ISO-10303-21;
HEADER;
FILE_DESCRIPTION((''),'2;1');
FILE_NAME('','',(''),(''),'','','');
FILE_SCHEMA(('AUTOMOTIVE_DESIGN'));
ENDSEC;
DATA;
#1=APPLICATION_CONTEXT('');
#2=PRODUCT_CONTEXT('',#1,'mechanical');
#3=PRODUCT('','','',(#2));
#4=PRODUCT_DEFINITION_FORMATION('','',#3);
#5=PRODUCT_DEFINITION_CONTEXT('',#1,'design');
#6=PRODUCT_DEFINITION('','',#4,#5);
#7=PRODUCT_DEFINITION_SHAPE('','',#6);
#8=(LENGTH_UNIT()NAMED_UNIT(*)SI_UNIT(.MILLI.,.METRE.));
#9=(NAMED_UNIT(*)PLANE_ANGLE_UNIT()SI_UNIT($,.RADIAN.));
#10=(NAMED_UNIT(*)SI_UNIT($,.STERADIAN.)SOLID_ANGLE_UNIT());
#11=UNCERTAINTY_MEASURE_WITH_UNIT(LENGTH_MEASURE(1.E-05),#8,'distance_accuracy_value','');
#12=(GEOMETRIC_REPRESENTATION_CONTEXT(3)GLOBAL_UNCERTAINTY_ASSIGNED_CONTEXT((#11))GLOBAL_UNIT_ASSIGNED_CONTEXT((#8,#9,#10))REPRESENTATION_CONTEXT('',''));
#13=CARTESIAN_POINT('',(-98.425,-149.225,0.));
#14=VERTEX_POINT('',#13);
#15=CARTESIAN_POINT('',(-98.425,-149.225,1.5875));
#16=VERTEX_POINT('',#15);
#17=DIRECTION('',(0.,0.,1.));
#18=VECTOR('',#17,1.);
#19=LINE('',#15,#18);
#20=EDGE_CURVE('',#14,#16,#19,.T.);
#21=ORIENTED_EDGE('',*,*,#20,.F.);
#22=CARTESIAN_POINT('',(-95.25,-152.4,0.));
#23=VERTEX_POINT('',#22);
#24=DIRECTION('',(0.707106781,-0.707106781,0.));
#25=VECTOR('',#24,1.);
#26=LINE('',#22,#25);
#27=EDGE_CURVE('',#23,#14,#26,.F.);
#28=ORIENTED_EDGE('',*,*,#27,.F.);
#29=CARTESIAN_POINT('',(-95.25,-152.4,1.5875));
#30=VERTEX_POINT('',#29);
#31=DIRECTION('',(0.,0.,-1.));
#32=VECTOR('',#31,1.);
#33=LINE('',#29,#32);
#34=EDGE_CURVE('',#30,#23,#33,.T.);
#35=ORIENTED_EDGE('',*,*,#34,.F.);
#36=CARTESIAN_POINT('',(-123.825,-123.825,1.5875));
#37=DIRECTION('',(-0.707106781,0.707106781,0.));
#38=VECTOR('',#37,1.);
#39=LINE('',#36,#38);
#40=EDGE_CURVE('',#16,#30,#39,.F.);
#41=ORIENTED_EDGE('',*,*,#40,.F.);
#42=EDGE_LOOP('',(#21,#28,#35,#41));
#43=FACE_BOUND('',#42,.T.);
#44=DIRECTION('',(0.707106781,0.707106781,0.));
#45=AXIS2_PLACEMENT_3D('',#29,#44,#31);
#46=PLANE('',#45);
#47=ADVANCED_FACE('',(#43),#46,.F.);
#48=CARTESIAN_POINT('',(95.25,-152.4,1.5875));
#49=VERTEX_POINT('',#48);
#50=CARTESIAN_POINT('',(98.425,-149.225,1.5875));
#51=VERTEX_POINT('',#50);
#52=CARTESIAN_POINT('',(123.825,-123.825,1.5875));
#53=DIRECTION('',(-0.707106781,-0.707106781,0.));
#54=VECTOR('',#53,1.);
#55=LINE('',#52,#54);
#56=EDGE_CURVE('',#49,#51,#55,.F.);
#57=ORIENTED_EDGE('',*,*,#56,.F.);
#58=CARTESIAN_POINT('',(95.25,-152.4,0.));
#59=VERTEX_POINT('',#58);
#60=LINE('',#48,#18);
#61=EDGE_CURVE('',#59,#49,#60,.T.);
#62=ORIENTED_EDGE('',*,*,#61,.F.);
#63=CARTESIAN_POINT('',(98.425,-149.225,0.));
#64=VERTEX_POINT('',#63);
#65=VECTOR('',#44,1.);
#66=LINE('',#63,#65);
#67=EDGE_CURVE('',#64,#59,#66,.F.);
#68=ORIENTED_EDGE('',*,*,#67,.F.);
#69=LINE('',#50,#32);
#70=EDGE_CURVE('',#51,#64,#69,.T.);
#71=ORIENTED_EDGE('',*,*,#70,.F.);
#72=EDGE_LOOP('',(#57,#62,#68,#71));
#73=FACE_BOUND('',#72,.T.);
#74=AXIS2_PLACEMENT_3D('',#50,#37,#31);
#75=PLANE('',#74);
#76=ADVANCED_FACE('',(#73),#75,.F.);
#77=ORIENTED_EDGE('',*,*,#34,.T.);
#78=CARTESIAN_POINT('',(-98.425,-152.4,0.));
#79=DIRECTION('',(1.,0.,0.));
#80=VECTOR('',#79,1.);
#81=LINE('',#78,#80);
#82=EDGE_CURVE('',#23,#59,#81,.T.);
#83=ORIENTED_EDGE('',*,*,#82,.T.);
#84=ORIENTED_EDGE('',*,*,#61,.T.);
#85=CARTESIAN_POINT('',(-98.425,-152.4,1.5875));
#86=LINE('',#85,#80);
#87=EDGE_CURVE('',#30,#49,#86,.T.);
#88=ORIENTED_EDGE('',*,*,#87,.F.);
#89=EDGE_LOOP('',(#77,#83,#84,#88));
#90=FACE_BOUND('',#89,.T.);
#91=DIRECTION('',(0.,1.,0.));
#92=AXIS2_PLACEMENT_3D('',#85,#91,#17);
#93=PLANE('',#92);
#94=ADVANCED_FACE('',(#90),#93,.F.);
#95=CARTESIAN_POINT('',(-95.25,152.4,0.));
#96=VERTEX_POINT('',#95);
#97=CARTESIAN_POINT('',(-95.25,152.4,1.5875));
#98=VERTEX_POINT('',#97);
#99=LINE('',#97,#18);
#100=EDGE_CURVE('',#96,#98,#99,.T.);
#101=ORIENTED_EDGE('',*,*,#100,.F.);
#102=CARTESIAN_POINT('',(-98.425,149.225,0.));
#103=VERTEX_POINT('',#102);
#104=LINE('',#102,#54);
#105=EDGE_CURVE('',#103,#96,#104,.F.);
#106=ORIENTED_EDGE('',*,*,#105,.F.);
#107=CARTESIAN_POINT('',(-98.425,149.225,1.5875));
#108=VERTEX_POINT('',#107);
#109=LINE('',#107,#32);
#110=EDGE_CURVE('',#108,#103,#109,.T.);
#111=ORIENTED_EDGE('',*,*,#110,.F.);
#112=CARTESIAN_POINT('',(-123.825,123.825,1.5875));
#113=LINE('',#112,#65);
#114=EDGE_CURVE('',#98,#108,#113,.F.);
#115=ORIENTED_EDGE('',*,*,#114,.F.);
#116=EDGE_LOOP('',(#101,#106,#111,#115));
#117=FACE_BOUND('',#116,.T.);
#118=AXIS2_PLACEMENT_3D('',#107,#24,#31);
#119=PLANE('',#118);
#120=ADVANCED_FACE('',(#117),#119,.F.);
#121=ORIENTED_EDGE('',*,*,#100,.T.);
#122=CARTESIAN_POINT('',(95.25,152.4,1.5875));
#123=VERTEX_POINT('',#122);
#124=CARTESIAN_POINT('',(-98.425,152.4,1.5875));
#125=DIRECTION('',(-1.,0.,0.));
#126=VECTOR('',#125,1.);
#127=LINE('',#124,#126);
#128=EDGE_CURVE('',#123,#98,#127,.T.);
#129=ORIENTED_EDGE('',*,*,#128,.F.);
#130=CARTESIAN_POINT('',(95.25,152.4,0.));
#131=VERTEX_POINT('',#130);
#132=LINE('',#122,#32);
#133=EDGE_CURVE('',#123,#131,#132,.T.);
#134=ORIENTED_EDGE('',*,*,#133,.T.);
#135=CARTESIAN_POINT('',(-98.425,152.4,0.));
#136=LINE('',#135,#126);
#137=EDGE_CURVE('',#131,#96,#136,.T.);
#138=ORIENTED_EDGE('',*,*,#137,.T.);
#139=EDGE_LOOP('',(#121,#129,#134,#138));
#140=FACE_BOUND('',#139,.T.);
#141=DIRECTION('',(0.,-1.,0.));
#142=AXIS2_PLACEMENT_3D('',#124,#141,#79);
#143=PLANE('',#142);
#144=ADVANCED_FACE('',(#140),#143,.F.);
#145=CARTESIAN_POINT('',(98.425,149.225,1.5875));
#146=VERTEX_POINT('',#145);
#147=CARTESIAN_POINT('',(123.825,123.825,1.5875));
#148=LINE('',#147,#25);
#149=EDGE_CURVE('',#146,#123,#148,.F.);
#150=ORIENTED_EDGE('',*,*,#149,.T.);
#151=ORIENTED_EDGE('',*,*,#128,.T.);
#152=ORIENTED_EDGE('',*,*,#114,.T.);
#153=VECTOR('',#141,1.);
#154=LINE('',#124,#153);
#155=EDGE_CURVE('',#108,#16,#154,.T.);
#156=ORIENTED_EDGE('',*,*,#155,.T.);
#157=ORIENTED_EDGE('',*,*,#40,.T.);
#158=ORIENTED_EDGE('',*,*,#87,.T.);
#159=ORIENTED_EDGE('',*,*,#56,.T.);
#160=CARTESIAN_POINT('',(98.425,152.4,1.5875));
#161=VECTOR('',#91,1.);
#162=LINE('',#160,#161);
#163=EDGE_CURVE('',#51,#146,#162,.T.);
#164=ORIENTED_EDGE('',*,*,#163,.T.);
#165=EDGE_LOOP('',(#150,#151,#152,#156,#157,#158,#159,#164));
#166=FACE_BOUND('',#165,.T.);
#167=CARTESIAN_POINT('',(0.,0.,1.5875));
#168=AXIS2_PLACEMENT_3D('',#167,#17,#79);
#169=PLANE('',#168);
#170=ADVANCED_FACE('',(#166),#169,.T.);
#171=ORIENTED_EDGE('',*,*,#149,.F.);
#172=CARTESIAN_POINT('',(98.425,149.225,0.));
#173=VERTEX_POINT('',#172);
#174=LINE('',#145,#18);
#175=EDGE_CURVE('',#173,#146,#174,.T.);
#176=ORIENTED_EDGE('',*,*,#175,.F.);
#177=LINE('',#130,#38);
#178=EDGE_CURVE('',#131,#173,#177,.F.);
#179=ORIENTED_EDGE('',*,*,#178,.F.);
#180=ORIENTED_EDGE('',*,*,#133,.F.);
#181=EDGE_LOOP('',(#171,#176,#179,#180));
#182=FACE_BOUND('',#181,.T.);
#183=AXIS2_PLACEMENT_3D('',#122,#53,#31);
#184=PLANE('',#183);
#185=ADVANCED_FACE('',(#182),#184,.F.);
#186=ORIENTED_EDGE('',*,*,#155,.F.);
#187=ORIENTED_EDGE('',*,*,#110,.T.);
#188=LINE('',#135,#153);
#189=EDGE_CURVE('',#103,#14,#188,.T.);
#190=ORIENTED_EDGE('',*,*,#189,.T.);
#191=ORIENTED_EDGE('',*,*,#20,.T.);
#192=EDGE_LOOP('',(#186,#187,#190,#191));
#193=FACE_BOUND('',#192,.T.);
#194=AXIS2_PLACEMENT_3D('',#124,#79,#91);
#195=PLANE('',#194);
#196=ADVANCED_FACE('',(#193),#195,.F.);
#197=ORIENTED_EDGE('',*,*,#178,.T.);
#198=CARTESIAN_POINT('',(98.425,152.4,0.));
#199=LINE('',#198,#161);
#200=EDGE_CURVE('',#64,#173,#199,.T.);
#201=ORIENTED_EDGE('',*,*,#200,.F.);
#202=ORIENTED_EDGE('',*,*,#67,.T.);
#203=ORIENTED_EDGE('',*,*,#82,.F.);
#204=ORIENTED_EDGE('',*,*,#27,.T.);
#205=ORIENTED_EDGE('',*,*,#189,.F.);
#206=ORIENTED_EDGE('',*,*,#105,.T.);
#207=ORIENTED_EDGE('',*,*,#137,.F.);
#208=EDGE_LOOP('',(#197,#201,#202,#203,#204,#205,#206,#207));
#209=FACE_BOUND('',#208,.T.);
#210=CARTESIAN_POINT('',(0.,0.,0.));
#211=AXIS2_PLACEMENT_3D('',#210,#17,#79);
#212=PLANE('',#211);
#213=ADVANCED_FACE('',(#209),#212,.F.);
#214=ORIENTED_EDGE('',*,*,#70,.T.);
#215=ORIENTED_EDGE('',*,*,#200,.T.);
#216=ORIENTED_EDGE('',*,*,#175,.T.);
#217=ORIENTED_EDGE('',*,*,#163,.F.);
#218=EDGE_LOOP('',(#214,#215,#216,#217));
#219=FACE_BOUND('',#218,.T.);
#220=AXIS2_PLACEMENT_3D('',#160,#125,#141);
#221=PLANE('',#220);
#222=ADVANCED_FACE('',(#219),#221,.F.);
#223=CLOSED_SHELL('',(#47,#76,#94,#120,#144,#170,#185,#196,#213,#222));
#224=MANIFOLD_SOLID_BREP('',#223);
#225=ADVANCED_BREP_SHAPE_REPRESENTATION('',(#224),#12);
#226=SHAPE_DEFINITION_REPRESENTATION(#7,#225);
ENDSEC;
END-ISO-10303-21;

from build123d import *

# Parameters (mm, degrees)
SKETCH1_W           = 196.85
SKETCH1_H           = 304.8
BOSS_EXTRUDE1_DEPTH = 1.5875
CHAMFER1_SIZE       = 3.175


with BuildPart() as part:
    # Sketch1 → Boss-Extrude1 (new body)
    with BuildSketch(Plane.XY):
        Rectangle(SKETCH1_W, SKETCH1_H)
    extrude(amount=BOSS_EXTRUDE1_DEPTH)

    # Chamfer1
    chamfer1_edges = [part.edges().sort_by_distance(p)[0] for p in [
        (98.425, -152.4, 0.79375),
        (-98.425, -152.4, 0.79375),
        (-98.425, 152.4, 0.79375),
        (98.425, 152.4, 0.79375),
    ]]
    chamfer(chamfer1_edges, length=CHAMFER1_SIZE)


solid = part.part
